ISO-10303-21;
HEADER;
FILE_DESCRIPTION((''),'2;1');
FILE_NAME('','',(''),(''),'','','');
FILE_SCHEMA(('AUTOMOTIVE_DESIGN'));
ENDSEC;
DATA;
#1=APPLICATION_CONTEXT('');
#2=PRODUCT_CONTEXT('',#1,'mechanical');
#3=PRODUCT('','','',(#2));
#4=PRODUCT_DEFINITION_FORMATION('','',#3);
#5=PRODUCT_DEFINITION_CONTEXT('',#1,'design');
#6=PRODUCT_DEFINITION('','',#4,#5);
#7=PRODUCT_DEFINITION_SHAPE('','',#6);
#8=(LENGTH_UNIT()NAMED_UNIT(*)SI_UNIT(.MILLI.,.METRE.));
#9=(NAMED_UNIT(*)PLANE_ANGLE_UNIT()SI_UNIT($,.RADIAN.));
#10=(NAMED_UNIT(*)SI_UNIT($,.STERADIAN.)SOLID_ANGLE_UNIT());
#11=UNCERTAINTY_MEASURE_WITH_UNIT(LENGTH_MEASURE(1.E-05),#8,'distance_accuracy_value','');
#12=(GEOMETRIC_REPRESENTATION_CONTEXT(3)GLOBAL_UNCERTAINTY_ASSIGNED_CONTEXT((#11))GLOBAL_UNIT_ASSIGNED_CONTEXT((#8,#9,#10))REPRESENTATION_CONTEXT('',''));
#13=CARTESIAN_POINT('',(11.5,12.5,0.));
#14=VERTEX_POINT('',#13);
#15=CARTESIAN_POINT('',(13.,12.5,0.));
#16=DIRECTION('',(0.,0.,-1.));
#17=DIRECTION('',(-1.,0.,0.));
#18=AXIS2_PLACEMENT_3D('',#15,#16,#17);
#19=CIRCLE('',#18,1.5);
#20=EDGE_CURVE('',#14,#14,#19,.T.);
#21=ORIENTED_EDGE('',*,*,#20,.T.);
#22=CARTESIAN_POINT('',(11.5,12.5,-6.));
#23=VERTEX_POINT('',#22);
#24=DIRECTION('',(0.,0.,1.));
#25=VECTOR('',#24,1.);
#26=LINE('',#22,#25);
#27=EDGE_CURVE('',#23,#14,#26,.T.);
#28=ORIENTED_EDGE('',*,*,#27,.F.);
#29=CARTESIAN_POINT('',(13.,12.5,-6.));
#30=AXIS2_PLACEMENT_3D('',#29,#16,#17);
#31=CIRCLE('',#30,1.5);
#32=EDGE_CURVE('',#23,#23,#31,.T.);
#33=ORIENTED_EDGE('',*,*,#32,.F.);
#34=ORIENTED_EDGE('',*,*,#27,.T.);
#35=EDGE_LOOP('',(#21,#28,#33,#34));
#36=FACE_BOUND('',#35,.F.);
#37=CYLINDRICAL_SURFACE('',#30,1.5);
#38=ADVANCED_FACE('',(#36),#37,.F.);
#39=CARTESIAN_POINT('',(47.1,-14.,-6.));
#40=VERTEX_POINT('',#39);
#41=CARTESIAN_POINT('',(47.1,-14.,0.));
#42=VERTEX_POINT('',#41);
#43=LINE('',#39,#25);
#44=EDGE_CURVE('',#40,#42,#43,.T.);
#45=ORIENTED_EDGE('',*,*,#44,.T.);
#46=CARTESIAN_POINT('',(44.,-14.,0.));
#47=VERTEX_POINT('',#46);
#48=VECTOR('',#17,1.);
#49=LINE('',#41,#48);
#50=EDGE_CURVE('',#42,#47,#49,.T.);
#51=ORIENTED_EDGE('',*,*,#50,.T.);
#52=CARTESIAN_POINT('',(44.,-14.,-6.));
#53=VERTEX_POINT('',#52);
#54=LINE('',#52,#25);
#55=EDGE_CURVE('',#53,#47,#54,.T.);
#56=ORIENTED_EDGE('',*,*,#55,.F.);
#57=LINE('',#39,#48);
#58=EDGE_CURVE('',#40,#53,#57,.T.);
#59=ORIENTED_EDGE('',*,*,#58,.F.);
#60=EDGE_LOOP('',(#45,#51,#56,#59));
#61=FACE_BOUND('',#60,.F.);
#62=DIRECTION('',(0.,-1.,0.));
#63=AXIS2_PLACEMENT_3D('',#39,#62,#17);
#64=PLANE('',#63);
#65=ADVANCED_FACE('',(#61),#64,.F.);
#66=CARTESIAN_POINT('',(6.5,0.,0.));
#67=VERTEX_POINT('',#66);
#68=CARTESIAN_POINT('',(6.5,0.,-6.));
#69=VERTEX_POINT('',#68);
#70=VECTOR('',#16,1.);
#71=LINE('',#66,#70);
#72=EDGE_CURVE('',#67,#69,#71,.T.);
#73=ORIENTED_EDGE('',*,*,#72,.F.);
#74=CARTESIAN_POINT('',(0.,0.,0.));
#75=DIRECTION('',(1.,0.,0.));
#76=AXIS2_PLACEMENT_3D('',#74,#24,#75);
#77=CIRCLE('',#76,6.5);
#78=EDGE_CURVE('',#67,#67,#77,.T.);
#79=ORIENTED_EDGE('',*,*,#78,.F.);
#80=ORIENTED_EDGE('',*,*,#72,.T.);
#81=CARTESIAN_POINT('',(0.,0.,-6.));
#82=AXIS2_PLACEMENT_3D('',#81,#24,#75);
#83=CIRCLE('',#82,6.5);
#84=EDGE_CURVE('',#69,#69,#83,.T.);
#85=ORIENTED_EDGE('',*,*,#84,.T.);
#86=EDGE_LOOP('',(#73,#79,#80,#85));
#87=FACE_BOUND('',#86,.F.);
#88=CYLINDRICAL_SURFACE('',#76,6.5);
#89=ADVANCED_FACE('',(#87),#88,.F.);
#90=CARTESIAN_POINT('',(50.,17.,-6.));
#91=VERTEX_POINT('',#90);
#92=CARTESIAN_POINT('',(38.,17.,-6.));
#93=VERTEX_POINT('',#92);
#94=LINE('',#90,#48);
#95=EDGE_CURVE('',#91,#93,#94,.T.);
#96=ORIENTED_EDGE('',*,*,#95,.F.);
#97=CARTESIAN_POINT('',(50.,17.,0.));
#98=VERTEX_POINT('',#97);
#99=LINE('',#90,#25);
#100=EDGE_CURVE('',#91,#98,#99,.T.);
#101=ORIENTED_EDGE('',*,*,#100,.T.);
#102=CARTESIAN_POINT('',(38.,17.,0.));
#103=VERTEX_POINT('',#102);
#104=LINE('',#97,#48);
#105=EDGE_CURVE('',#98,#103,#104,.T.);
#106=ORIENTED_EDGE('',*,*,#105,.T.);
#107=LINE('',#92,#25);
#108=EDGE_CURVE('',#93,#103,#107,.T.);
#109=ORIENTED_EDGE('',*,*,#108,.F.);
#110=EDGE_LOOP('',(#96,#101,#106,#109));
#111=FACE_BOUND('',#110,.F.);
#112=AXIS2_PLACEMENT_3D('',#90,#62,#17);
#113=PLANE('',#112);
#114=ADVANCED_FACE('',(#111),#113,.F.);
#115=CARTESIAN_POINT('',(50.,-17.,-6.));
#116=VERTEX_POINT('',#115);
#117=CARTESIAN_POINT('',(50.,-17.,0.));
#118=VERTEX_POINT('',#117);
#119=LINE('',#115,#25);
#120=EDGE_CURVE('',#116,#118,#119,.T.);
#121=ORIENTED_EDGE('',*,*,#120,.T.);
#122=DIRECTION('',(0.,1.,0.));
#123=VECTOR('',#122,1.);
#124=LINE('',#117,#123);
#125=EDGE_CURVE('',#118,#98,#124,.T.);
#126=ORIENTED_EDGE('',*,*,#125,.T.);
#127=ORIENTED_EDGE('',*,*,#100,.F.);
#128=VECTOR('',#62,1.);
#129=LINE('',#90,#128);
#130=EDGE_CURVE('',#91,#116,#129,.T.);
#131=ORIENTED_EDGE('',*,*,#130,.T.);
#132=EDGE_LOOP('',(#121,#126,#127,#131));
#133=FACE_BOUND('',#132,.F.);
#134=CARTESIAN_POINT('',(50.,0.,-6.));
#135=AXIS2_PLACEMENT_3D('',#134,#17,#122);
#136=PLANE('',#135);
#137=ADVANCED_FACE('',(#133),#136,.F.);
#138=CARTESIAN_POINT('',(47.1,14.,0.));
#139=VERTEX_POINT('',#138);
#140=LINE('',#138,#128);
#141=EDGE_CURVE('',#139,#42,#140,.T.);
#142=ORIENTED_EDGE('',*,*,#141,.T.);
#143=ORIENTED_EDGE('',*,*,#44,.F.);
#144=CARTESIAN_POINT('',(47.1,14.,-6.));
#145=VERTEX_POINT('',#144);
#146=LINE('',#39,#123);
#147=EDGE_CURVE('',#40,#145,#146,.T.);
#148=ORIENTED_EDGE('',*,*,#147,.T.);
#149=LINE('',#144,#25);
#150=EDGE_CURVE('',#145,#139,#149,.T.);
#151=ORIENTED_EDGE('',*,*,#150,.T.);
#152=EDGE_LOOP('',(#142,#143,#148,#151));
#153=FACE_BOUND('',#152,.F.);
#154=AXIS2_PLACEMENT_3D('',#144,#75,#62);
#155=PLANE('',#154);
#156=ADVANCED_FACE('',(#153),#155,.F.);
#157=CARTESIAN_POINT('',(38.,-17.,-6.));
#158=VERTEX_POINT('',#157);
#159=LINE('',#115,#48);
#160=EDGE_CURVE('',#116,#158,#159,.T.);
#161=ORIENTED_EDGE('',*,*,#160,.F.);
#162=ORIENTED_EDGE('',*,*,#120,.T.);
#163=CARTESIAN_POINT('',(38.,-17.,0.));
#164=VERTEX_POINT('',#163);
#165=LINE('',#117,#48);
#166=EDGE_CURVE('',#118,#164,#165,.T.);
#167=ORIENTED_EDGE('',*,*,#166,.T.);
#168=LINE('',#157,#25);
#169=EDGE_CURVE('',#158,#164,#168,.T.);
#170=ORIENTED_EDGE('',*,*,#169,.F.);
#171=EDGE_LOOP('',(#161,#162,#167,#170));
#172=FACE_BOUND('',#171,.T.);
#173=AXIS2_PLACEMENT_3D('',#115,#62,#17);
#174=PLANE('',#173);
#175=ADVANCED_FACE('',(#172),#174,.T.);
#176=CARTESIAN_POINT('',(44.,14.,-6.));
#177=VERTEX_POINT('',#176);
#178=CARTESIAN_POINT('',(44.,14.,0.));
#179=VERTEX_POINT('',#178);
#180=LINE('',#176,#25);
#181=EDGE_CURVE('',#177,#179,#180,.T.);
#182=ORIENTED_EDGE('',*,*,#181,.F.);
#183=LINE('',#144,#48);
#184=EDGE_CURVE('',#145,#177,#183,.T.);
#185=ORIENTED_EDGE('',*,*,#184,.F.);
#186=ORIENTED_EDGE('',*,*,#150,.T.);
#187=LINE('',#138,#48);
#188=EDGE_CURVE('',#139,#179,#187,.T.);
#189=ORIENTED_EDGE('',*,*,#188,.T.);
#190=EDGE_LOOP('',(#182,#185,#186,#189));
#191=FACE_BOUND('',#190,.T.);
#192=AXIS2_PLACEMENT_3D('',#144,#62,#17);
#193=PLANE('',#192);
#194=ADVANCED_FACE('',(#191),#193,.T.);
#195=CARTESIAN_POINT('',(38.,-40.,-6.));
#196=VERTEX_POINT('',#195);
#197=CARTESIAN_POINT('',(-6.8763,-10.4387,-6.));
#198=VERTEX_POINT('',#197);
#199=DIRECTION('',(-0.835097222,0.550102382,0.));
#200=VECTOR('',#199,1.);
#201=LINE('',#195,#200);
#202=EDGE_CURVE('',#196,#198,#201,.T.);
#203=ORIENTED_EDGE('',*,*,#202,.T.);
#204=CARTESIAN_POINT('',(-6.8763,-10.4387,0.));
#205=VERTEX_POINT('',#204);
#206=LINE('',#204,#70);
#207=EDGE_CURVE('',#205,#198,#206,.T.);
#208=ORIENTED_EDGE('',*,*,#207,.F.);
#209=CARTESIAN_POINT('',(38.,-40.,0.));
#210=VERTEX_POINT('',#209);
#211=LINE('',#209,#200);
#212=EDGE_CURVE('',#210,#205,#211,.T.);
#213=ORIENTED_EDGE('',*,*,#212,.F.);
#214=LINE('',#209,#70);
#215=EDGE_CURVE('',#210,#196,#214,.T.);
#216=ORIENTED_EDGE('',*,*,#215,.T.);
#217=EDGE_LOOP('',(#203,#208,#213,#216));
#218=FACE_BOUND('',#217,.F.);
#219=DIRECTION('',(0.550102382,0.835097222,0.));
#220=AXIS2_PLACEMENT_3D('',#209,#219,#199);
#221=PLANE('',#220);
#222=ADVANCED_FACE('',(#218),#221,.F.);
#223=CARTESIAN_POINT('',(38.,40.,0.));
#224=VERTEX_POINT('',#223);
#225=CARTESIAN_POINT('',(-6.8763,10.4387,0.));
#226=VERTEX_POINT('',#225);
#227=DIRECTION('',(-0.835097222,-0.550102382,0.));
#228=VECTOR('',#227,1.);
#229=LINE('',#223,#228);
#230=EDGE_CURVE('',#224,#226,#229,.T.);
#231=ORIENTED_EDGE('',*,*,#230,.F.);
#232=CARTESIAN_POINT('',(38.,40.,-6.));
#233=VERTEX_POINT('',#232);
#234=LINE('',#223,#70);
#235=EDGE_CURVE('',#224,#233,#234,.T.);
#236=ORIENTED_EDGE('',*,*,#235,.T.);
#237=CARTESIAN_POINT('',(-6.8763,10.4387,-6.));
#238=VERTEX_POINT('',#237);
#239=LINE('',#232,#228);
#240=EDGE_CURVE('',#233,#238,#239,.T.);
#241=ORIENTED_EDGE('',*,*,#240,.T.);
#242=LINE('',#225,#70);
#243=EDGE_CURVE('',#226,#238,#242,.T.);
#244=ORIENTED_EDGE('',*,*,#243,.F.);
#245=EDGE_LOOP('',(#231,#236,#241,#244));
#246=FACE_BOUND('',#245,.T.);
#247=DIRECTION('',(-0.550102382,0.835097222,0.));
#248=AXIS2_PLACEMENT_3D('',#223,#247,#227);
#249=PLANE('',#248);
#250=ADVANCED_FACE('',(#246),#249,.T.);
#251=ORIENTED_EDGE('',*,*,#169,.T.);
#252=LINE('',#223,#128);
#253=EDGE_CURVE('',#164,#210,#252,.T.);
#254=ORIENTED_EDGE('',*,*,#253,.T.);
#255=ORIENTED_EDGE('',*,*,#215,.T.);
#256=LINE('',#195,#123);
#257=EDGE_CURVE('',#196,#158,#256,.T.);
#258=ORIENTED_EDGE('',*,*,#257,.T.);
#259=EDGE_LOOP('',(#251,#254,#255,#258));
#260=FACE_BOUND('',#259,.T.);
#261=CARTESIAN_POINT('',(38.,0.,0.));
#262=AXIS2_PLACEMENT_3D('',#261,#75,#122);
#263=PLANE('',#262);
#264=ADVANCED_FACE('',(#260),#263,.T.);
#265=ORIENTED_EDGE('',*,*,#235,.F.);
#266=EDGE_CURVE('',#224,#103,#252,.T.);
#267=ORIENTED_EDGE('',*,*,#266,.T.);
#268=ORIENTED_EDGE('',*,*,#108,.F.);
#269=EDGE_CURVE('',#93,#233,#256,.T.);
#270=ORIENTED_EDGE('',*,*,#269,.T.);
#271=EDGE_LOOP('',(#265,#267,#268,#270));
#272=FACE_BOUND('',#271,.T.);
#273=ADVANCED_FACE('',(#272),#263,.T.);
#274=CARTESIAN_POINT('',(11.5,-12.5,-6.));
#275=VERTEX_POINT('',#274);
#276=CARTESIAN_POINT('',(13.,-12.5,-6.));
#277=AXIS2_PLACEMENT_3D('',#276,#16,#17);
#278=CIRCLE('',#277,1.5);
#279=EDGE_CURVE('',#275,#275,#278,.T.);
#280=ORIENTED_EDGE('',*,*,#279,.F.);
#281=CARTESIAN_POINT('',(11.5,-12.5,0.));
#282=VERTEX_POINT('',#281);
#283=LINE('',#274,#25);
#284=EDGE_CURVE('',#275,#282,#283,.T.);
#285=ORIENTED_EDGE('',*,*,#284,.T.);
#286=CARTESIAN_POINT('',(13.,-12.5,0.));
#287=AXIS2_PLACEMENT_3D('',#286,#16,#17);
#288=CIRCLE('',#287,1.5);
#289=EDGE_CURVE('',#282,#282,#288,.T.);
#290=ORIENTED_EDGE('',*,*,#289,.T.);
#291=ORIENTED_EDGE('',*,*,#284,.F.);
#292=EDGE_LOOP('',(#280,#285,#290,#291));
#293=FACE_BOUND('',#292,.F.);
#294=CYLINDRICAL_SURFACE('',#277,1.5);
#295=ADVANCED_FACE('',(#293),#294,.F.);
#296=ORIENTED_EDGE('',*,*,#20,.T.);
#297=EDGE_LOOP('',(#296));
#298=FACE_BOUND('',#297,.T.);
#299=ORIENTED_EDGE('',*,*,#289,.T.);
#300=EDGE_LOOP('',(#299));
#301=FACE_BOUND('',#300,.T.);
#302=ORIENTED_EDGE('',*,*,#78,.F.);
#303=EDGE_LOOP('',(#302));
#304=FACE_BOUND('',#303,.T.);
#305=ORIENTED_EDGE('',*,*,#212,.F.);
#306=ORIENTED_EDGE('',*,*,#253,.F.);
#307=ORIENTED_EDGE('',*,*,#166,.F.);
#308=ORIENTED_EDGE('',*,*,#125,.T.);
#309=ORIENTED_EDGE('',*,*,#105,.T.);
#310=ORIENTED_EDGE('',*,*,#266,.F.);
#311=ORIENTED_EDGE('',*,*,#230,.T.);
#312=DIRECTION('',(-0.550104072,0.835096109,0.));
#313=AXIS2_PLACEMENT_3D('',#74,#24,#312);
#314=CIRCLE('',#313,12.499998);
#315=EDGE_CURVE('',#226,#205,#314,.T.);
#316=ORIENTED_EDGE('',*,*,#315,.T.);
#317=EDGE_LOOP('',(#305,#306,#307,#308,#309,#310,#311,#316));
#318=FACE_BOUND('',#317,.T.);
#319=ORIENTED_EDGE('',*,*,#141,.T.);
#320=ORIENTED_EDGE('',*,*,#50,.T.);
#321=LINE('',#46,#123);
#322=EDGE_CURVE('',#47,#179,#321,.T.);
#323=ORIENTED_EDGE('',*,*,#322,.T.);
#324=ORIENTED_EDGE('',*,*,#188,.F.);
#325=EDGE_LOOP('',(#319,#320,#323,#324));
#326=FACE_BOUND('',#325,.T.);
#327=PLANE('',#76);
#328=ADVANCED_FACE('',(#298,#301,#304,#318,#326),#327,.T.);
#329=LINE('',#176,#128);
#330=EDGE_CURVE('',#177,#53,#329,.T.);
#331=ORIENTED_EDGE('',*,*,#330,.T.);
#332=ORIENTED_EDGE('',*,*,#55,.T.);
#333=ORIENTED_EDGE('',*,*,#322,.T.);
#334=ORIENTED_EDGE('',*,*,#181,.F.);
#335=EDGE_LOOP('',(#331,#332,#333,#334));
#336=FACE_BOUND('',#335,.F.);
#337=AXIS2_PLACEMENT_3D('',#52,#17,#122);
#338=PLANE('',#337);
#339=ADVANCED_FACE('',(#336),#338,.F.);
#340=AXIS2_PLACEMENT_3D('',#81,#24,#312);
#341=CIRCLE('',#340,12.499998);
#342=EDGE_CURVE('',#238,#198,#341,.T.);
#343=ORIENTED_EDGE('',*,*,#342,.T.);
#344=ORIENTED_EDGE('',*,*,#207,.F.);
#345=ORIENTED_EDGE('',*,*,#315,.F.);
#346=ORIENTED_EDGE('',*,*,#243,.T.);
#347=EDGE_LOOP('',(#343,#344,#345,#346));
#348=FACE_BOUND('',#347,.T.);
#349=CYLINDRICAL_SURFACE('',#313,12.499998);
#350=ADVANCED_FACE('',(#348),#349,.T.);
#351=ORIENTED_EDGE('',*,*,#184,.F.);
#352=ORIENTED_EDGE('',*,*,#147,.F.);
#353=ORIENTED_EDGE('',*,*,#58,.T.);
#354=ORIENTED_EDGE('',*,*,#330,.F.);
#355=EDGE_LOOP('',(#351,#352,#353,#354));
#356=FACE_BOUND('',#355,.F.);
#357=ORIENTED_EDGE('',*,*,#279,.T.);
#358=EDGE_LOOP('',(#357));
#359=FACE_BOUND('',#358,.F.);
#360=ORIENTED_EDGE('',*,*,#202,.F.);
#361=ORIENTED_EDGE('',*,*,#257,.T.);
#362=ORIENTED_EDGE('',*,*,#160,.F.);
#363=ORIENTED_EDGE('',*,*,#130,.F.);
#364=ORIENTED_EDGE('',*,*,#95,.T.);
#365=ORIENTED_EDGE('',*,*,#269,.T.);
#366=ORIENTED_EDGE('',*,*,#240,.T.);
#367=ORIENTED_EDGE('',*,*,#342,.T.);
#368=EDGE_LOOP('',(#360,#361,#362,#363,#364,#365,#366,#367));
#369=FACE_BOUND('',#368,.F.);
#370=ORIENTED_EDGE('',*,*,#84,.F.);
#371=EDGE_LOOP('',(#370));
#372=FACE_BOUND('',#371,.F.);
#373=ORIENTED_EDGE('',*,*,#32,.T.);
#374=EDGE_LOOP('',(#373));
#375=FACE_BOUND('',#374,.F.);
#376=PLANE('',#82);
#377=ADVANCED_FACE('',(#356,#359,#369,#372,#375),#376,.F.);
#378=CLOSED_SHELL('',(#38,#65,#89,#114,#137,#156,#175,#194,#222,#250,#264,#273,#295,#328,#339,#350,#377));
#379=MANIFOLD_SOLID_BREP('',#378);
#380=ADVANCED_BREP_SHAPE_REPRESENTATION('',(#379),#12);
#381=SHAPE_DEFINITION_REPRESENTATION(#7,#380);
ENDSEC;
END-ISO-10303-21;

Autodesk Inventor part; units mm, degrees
ref_plane "YZ Plane" through (0, 0, 0) normal (1, 0, 0) x (0, 1, 0)
ref_plane "XZ Plane" through (0, 0, 0) normal (0, 1, 0) x (-1, 0, 0)
ref_plane "XY Plane" through (0, 0, 0) normal (0, 0, 1) x (1, 0, 0)
sketch "Sketch1" plane through (0, 0, 0) normal (0, 0, 1) x (1, 0, 0)
  circle A0 centre (0, 0) radius 2 construction
  circle A1 centre (0, 0) radius 6.5 construction
  line L0 (0, 0) -> (38, 0) construction
  arc A2 (-6.8763, 10.4387) -> (-6.8763, -10.4387) centre (0, 0) ccw
  circle A3 centre (0, 0) radius 6.5
  line L1 (38, 0) -> (38, -40)
  line L2 (38, 0) -> (38, 40)
  line L3 (38, 40) -> (-6.8763, 10.4387)
  line L4 (38, -40) -> (-6.8763, -10.4387)
  point P0 (0, 0)
  dimension "d0" = 38
  dimension "d1" = 25
  dimension "d2" = 13
  dimension "d3" = 40
  dimension "d4" = 40
extrude "Extrusion1" add sketch "Sketch1" against normal blind 6
sketch "Sketch2" plane through (0, 0, -6) normal (0, 0, -1) x (-1, 0, 0)
  circle A0 centre (-13, -12.5) radius 1.5 projected
  circle A1 centre (-13, 12.5) radius 1.5 projected
  point P0 (0, 0)
extrude "Extrusion2" cut sketch "Sketch2" against normal blind 6
sketch "Sketch3" plane through (0, 0, -6) normal (0, 0, -1) x (-1, 0, 0)
  line L0 (-38, 40) -> (-38, -40) projected
  line L1 (-38, 40) -> (-38, -40) construction
  line L2 (-38, 0) -> (-63, 0) construction
  line L3 (-50, 0) -> (-50, -17)
  line L4 (-50, 0) -> (-50, 17)
  line L5 (-50, -17) -> (-38, -17)
  line L6 (-50, 17) -> (-38, 17)
  line L7 (-47.1, -14) -> (-47.1, 0)
  line L8 (-47.1, 14) -> (-47.1, 0)
  line L9 (-47.1, -14) -> (-44, -14)
  line L10 (-44, -14) -> (-44, 0)
  line L11 (-47.1, 14) -> (-44, 14)
  line L12 (-44, 14) -> (-44, 0)
  line L13 (-38, -17) -> (-38, 17)
  point P0 (0, 0)
  dimension "d9" = 25
  dimension "d10" = 17
  dimension "d11" = 12
  dimension "d12" = 14
  dimension "d13" = 2.9
  dimension "d14" = 6
extrude "Extrusion3" add sketch "Sketch3" against normal blind 6
properties part number "Mecanum wheel support"
